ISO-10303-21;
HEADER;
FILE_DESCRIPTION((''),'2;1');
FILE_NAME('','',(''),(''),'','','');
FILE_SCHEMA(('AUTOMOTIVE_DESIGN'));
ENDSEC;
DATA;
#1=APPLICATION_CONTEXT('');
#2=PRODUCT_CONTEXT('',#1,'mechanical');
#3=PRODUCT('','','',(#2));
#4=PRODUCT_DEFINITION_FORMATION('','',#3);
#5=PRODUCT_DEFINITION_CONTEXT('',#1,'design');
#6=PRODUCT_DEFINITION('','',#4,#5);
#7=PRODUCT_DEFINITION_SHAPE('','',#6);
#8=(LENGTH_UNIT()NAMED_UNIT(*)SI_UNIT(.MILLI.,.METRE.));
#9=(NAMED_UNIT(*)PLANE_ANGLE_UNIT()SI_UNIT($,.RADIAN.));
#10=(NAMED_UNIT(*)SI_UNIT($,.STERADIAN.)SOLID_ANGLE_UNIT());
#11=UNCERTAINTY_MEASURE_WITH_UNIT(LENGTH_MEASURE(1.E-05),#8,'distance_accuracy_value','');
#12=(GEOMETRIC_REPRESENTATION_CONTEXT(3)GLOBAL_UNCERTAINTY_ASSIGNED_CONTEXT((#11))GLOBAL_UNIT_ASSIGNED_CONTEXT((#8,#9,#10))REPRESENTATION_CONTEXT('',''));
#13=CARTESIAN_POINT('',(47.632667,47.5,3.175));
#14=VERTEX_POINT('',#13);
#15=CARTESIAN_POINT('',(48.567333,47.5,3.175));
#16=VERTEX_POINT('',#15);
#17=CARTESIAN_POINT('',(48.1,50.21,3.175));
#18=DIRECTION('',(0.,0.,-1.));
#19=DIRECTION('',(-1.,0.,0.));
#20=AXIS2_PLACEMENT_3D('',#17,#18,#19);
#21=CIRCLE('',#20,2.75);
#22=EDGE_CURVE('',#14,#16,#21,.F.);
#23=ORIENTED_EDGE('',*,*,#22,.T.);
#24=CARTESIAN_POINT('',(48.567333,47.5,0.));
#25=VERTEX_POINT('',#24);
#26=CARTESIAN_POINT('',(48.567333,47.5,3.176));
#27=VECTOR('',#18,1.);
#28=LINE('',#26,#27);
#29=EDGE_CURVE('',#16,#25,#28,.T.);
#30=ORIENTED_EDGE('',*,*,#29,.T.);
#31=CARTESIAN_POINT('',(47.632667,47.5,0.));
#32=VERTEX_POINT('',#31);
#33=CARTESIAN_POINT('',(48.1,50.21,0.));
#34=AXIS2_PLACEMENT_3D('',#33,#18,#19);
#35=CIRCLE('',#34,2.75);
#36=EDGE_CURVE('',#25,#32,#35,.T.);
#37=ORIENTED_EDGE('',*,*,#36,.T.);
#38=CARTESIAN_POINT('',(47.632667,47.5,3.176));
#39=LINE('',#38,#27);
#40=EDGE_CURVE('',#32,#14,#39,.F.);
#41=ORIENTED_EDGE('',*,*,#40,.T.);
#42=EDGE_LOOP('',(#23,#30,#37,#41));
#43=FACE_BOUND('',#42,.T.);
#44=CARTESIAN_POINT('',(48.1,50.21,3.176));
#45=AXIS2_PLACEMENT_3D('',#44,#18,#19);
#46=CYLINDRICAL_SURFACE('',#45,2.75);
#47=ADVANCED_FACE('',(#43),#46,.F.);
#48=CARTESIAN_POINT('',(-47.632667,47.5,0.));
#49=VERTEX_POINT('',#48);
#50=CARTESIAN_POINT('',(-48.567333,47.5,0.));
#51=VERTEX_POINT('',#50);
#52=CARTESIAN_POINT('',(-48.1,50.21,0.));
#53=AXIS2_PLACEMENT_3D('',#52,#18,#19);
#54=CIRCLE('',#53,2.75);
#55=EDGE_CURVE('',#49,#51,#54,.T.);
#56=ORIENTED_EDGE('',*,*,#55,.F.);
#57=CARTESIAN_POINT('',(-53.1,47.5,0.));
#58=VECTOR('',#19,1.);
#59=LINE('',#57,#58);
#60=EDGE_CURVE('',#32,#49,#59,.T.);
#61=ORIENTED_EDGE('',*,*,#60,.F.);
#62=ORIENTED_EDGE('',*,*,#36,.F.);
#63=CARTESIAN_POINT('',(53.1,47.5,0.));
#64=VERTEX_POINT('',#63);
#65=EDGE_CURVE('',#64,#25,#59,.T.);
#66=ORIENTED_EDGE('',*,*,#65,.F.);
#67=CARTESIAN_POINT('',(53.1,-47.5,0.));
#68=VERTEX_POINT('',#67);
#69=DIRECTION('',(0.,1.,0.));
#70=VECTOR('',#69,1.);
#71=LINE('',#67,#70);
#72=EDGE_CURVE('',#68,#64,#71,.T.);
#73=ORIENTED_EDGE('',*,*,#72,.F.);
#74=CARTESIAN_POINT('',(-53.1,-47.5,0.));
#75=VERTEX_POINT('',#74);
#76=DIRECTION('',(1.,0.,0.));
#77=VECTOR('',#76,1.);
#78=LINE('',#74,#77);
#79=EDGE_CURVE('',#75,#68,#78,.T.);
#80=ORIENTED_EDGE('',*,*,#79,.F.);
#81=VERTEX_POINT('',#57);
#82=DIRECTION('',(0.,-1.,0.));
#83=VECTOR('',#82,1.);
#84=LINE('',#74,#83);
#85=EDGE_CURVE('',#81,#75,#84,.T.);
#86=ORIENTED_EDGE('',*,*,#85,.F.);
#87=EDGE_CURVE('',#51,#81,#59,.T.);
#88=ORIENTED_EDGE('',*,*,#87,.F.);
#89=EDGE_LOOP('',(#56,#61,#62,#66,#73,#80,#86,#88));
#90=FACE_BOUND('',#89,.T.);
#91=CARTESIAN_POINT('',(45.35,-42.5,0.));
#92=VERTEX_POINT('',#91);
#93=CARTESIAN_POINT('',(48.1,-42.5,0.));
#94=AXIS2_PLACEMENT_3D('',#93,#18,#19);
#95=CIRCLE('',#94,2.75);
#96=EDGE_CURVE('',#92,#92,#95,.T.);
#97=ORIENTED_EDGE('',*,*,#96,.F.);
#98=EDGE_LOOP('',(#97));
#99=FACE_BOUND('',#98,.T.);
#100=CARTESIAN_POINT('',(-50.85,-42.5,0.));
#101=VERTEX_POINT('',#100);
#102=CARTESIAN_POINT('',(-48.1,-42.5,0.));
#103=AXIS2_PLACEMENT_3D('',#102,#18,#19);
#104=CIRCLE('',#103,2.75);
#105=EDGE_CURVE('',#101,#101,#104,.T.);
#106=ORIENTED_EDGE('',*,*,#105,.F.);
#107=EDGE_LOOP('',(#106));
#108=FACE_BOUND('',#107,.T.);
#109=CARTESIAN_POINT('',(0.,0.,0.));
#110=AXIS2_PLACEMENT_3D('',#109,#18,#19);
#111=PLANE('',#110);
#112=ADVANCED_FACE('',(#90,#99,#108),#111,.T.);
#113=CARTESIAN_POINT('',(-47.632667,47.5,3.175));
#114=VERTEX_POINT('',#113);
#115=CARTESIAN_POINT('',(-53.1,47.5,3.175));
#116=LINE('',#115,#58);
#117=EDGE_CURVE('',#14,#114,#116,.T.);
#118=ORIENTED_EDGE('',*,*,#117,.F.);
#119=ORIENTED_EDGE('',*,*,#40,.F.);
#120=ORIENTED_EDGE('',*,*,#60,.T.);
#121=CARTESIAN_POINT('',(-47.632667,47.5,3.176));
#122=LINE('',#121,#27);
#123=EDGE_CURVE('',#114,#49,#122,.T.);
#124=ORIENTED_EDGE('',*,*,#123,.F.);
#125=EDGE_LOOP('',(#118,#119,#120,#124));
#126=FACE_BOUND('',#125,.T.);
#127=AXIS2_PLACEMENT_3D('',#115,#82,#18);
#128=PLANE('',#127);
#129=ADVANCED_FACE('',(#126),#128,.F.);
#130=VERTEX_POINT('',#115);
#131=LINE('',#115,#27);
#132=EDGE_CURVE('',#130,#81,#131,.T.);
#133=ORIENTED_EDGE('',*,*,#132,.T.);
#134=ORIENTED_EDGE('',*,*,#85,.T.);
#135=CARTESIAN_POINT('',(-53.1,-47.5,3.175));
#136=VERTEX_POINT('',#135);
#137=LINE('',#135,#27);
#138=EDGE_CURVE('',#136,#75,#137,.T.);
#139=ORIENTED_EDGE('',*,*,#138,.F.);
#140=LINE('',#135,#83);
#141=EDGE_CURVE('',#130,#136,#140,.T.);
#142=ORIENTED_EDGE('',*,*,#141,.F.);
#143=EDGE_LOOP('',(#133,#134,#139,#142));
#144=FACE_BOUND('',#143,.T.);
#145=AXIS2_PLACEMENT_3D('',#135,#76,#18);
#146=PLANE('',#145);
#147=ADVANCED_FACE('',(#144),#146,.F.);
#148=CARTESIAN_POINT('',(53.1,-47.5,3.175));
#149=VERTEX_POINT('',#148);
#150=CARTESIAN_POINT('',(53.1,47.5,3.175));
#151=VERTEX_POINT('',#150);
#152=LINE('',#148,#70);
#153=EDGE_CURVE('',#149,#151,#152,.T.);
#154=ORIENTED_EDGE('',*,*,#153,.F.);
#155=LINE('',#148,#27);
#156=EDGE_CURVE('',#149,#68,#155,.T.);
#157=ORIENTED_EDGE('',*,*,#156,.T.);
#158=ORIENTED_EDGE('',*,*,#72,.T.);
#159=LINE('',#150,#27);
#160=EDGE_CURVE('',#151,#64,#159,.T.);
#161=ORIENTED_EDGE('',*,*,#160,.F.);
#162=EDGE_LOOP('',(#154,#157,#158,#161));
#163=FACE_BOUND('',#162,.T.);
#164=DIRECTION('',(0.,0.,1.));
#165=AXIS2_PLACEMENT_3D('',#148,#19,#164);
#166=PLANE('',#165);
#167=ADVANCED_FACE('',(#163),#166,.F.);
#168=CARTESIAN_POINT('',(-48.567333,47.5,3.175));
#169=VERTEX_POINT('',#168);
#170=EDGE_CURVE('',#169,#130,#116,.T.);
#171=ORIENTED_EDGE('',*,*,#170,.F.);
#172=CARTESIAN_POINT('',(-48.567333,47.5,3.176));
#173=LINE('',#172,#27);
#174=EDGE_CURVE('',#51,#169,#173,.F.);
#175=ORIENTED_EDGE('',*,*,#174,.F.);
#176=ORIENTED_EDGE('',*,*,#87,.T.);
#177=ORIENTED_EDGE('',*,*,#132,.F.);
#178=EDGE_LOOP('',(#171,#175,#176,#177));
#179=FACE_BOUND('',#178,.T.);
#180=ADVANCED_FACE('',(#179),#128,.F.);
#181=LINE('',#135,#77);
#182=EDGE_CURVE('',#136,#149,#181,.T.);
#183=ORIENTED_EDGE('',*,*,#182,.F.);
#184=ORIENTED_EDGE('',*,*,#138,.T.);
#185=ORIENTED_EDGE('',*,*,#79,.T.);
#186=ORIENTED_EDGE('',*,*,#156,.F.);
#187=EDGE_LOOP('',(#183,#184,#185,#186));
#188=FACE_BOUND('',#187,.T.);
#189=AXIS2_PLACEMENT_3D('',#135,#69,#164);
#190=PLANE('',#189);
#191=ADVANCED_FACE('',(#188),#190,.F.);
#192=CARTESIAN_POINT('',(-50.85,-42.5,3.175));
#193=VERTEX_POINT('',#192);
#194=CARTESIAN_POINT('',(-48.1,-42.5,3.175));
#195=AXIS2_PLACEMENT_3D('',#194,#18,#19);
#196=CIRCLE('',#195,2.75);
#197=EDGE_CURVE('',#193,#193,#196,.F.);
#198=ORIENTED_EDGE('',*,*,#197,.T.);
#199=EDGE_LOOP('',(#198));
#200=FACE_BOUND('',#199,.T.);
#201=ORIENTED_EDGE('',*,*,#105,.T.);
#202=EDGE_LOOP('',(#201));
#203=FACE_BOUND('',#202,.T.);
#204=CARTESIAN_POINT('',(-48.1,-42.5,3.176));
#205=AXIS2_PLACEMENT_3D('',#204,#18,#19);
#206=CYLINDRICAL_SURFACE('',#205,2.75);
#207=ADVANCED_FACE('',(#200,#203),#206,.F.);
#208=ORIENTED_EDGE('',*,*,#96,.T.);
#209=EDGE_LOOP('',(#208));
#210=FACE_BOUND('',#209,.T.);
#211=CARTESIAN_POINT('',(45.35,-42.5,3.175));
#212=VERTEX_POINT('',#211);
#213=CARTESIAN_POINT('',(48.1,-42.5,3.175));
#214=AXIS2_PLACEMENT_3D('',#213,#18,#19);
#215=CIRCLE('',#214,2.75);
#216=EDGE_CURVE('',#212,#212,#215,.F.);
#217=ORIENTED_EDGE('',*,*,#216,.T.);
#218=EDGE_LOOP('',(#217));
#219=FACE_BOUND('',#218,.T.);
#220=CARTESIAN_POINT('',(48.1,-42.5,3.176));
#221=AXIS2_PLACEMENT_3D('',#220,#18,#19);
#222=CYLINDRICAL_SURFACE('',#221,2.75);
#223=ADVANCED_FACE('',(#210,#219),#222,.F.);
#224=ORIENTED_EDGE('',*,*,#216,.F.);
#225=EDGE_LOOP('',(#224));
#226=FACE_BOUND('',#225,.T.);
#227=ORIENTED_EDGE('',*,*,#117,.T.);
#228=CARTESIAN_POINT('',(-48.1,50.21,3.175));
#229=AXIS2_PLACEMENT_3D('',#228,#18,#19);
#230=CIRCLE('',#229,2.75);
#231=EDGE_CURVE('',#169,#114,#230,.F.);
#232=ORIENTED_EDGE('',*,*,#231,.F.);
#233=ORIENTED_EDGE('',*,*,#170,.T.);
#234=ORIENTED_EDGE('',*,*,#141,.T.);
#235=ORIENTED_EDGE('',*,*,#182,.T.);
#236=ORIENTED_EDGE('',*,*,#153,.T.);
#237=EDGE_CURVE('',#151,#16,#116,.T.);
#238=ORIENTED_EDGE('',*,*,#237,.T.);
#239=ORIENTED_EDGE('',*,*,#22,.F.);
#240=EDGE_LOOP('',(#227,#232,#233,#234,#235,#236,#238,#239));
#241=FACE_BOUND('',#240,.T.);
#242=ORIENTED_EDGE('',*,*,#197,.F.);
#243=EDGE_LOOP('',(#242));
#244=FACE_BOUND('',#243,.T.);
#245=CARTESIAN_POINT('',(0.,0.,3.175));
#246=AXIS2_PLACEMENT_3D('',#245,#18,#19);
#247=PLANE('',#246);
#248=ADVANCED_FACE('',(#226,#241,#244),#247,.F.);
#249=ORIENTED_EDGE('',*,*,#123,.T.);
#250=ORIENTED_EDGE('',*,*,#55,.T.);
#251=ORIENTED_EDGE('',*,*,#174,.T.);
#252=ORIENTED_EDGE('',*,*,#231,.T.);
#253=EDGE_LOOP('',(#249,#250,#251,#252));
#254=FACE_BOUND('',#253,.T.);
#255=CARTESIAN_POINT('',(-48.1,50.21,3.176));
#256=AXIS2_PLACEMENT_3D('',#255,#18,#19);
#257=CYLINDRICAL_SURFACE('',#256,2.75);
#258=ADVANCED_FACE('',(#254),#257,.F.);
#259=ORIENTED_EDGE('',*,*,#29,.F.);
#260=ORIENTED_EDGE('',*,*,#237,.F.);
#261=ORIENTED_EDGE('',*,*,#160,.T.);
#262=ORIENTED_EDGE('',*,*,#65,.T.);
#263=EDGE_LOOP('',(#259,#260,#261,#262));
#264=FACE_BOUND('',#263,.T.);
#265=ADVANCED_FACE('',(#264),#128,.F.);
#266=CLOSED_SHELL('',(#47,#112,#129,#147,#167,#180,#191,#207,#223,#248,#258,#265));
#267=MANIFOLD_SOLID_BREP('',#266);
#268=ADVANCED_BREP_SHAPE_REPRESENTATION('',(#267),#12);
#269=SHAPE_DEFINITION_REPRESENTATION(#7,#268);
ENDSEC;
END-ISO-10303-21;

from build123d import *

# Parameters (mm, degrees)
SKETCH1_W           = 106.2
SKETCH1_H           = 95
BOSS_EXTRUDE1_DEPTH = 3.175
CUT_EXTRUDE1_REACH  = 73.316
SKETCH2_R           = 2.75


with BuildPart() as part:
    # Sketch1 → Boss-Extrude1 (new body)
    with BuildSketch(Plane.XY):
        Rectangle(SKETCH1_W, SKETCH1_H)
    extrude(amount=BOSS_EXTRUDE1_DEPTH)

    # Sketch2 → Cut-Extrude1 (cut, up to next)
    with BuildSketch(Plane(origin=(0, 0, 0), x_dir=(-1, 0, 0), z_dir=(0, 0, -1)), mode=Mode.PRIVATE) as cut_extrude1_sk1:
        with Locations((-48.1, 50.21)):
            Circle(SKETCH2_R)
    cut_extrude1_tool1 = extrude(cut_extrude1_sk1.sketch, amount=-CUT_EXTRUDE1_REACH, mode=Mode.PRIVATE) & part.part
    # Sketch2 → Cut-Extrude1 (cut, up to next)
    with BuildSketch(Plane(origin=(0, 0, 0), x_dir=(-1, 0, 0), z_dir=(0, 0, -1)), mode=Mode.PRIVATE) as cut_extrude1_sk2:
        with Locations((-48.1, -42.5)):
            Circle(SKETCH2_R)
    cut_extrude1_tool2 = extrude(cut_extrude1_sk2.sketch, amount=-CUT_EXTRUDE1_REACH, mode=Mode.PRIVATE) & part.part
    # Sketch2 → Cut-Extrude1 (cut, up to next)
    with BuildSketch(Plane(origin=(0, 0, 0), x_dir=(-1, 0, 0), z_dir=(0, 0, -1)), mode=Mode.PRIVATE) as cut_extrude1_sk3:
        with Locations((48.1, -42.5)):
            Circle(SKETCH2_R)
    cut_extrude1_tool3 = extrude(cut_extrude1_sk3.sketch, amount=-CUT_EXTRUDE1_REACH, mode=Mode.PRIVATE) & part.part
    # Sketch2 → Cut-Extrude1 (cut, up to next)
    with BuildSketch(Plane(origin=(0, 0, 0), x_dir=(-1, 0, 0), z_dir=(0, 0, -1)), mode=Mode.PRIVATE) as cut_extrude1_sk4:
        with Locations((48.1, 50.21)):
            Circle(SKETCH2_R)
    cut_extrude1_tool4 = extrude(cut_extrude1_sk4.sketch, amount=-CUT_EXTRUDE1_REACH, mode=Mode.PRIVATE) & part.part
    add(cut_extrude1_tool1.solids().sort_by_distance((48.1, 50.21, 0))[0], mode=Mode.SUBTRACT)
    add(cut_extrude1_tool2.solids().sort_by_distance((48.1, -42.5, 0))[0], mode=Mode.SUBTRACT)
    add(cut_extrude1_tool3.solids().sort_by_distance((-48.1, -42.5, 0))[0], mode=Mode.SUBTRACT)
    add(cut_extrude1_tool4.solids().sort_by_distance((-48.1, 50.21, 0))[0], mode=Mode.SUBTRACT)


solid = part.part
